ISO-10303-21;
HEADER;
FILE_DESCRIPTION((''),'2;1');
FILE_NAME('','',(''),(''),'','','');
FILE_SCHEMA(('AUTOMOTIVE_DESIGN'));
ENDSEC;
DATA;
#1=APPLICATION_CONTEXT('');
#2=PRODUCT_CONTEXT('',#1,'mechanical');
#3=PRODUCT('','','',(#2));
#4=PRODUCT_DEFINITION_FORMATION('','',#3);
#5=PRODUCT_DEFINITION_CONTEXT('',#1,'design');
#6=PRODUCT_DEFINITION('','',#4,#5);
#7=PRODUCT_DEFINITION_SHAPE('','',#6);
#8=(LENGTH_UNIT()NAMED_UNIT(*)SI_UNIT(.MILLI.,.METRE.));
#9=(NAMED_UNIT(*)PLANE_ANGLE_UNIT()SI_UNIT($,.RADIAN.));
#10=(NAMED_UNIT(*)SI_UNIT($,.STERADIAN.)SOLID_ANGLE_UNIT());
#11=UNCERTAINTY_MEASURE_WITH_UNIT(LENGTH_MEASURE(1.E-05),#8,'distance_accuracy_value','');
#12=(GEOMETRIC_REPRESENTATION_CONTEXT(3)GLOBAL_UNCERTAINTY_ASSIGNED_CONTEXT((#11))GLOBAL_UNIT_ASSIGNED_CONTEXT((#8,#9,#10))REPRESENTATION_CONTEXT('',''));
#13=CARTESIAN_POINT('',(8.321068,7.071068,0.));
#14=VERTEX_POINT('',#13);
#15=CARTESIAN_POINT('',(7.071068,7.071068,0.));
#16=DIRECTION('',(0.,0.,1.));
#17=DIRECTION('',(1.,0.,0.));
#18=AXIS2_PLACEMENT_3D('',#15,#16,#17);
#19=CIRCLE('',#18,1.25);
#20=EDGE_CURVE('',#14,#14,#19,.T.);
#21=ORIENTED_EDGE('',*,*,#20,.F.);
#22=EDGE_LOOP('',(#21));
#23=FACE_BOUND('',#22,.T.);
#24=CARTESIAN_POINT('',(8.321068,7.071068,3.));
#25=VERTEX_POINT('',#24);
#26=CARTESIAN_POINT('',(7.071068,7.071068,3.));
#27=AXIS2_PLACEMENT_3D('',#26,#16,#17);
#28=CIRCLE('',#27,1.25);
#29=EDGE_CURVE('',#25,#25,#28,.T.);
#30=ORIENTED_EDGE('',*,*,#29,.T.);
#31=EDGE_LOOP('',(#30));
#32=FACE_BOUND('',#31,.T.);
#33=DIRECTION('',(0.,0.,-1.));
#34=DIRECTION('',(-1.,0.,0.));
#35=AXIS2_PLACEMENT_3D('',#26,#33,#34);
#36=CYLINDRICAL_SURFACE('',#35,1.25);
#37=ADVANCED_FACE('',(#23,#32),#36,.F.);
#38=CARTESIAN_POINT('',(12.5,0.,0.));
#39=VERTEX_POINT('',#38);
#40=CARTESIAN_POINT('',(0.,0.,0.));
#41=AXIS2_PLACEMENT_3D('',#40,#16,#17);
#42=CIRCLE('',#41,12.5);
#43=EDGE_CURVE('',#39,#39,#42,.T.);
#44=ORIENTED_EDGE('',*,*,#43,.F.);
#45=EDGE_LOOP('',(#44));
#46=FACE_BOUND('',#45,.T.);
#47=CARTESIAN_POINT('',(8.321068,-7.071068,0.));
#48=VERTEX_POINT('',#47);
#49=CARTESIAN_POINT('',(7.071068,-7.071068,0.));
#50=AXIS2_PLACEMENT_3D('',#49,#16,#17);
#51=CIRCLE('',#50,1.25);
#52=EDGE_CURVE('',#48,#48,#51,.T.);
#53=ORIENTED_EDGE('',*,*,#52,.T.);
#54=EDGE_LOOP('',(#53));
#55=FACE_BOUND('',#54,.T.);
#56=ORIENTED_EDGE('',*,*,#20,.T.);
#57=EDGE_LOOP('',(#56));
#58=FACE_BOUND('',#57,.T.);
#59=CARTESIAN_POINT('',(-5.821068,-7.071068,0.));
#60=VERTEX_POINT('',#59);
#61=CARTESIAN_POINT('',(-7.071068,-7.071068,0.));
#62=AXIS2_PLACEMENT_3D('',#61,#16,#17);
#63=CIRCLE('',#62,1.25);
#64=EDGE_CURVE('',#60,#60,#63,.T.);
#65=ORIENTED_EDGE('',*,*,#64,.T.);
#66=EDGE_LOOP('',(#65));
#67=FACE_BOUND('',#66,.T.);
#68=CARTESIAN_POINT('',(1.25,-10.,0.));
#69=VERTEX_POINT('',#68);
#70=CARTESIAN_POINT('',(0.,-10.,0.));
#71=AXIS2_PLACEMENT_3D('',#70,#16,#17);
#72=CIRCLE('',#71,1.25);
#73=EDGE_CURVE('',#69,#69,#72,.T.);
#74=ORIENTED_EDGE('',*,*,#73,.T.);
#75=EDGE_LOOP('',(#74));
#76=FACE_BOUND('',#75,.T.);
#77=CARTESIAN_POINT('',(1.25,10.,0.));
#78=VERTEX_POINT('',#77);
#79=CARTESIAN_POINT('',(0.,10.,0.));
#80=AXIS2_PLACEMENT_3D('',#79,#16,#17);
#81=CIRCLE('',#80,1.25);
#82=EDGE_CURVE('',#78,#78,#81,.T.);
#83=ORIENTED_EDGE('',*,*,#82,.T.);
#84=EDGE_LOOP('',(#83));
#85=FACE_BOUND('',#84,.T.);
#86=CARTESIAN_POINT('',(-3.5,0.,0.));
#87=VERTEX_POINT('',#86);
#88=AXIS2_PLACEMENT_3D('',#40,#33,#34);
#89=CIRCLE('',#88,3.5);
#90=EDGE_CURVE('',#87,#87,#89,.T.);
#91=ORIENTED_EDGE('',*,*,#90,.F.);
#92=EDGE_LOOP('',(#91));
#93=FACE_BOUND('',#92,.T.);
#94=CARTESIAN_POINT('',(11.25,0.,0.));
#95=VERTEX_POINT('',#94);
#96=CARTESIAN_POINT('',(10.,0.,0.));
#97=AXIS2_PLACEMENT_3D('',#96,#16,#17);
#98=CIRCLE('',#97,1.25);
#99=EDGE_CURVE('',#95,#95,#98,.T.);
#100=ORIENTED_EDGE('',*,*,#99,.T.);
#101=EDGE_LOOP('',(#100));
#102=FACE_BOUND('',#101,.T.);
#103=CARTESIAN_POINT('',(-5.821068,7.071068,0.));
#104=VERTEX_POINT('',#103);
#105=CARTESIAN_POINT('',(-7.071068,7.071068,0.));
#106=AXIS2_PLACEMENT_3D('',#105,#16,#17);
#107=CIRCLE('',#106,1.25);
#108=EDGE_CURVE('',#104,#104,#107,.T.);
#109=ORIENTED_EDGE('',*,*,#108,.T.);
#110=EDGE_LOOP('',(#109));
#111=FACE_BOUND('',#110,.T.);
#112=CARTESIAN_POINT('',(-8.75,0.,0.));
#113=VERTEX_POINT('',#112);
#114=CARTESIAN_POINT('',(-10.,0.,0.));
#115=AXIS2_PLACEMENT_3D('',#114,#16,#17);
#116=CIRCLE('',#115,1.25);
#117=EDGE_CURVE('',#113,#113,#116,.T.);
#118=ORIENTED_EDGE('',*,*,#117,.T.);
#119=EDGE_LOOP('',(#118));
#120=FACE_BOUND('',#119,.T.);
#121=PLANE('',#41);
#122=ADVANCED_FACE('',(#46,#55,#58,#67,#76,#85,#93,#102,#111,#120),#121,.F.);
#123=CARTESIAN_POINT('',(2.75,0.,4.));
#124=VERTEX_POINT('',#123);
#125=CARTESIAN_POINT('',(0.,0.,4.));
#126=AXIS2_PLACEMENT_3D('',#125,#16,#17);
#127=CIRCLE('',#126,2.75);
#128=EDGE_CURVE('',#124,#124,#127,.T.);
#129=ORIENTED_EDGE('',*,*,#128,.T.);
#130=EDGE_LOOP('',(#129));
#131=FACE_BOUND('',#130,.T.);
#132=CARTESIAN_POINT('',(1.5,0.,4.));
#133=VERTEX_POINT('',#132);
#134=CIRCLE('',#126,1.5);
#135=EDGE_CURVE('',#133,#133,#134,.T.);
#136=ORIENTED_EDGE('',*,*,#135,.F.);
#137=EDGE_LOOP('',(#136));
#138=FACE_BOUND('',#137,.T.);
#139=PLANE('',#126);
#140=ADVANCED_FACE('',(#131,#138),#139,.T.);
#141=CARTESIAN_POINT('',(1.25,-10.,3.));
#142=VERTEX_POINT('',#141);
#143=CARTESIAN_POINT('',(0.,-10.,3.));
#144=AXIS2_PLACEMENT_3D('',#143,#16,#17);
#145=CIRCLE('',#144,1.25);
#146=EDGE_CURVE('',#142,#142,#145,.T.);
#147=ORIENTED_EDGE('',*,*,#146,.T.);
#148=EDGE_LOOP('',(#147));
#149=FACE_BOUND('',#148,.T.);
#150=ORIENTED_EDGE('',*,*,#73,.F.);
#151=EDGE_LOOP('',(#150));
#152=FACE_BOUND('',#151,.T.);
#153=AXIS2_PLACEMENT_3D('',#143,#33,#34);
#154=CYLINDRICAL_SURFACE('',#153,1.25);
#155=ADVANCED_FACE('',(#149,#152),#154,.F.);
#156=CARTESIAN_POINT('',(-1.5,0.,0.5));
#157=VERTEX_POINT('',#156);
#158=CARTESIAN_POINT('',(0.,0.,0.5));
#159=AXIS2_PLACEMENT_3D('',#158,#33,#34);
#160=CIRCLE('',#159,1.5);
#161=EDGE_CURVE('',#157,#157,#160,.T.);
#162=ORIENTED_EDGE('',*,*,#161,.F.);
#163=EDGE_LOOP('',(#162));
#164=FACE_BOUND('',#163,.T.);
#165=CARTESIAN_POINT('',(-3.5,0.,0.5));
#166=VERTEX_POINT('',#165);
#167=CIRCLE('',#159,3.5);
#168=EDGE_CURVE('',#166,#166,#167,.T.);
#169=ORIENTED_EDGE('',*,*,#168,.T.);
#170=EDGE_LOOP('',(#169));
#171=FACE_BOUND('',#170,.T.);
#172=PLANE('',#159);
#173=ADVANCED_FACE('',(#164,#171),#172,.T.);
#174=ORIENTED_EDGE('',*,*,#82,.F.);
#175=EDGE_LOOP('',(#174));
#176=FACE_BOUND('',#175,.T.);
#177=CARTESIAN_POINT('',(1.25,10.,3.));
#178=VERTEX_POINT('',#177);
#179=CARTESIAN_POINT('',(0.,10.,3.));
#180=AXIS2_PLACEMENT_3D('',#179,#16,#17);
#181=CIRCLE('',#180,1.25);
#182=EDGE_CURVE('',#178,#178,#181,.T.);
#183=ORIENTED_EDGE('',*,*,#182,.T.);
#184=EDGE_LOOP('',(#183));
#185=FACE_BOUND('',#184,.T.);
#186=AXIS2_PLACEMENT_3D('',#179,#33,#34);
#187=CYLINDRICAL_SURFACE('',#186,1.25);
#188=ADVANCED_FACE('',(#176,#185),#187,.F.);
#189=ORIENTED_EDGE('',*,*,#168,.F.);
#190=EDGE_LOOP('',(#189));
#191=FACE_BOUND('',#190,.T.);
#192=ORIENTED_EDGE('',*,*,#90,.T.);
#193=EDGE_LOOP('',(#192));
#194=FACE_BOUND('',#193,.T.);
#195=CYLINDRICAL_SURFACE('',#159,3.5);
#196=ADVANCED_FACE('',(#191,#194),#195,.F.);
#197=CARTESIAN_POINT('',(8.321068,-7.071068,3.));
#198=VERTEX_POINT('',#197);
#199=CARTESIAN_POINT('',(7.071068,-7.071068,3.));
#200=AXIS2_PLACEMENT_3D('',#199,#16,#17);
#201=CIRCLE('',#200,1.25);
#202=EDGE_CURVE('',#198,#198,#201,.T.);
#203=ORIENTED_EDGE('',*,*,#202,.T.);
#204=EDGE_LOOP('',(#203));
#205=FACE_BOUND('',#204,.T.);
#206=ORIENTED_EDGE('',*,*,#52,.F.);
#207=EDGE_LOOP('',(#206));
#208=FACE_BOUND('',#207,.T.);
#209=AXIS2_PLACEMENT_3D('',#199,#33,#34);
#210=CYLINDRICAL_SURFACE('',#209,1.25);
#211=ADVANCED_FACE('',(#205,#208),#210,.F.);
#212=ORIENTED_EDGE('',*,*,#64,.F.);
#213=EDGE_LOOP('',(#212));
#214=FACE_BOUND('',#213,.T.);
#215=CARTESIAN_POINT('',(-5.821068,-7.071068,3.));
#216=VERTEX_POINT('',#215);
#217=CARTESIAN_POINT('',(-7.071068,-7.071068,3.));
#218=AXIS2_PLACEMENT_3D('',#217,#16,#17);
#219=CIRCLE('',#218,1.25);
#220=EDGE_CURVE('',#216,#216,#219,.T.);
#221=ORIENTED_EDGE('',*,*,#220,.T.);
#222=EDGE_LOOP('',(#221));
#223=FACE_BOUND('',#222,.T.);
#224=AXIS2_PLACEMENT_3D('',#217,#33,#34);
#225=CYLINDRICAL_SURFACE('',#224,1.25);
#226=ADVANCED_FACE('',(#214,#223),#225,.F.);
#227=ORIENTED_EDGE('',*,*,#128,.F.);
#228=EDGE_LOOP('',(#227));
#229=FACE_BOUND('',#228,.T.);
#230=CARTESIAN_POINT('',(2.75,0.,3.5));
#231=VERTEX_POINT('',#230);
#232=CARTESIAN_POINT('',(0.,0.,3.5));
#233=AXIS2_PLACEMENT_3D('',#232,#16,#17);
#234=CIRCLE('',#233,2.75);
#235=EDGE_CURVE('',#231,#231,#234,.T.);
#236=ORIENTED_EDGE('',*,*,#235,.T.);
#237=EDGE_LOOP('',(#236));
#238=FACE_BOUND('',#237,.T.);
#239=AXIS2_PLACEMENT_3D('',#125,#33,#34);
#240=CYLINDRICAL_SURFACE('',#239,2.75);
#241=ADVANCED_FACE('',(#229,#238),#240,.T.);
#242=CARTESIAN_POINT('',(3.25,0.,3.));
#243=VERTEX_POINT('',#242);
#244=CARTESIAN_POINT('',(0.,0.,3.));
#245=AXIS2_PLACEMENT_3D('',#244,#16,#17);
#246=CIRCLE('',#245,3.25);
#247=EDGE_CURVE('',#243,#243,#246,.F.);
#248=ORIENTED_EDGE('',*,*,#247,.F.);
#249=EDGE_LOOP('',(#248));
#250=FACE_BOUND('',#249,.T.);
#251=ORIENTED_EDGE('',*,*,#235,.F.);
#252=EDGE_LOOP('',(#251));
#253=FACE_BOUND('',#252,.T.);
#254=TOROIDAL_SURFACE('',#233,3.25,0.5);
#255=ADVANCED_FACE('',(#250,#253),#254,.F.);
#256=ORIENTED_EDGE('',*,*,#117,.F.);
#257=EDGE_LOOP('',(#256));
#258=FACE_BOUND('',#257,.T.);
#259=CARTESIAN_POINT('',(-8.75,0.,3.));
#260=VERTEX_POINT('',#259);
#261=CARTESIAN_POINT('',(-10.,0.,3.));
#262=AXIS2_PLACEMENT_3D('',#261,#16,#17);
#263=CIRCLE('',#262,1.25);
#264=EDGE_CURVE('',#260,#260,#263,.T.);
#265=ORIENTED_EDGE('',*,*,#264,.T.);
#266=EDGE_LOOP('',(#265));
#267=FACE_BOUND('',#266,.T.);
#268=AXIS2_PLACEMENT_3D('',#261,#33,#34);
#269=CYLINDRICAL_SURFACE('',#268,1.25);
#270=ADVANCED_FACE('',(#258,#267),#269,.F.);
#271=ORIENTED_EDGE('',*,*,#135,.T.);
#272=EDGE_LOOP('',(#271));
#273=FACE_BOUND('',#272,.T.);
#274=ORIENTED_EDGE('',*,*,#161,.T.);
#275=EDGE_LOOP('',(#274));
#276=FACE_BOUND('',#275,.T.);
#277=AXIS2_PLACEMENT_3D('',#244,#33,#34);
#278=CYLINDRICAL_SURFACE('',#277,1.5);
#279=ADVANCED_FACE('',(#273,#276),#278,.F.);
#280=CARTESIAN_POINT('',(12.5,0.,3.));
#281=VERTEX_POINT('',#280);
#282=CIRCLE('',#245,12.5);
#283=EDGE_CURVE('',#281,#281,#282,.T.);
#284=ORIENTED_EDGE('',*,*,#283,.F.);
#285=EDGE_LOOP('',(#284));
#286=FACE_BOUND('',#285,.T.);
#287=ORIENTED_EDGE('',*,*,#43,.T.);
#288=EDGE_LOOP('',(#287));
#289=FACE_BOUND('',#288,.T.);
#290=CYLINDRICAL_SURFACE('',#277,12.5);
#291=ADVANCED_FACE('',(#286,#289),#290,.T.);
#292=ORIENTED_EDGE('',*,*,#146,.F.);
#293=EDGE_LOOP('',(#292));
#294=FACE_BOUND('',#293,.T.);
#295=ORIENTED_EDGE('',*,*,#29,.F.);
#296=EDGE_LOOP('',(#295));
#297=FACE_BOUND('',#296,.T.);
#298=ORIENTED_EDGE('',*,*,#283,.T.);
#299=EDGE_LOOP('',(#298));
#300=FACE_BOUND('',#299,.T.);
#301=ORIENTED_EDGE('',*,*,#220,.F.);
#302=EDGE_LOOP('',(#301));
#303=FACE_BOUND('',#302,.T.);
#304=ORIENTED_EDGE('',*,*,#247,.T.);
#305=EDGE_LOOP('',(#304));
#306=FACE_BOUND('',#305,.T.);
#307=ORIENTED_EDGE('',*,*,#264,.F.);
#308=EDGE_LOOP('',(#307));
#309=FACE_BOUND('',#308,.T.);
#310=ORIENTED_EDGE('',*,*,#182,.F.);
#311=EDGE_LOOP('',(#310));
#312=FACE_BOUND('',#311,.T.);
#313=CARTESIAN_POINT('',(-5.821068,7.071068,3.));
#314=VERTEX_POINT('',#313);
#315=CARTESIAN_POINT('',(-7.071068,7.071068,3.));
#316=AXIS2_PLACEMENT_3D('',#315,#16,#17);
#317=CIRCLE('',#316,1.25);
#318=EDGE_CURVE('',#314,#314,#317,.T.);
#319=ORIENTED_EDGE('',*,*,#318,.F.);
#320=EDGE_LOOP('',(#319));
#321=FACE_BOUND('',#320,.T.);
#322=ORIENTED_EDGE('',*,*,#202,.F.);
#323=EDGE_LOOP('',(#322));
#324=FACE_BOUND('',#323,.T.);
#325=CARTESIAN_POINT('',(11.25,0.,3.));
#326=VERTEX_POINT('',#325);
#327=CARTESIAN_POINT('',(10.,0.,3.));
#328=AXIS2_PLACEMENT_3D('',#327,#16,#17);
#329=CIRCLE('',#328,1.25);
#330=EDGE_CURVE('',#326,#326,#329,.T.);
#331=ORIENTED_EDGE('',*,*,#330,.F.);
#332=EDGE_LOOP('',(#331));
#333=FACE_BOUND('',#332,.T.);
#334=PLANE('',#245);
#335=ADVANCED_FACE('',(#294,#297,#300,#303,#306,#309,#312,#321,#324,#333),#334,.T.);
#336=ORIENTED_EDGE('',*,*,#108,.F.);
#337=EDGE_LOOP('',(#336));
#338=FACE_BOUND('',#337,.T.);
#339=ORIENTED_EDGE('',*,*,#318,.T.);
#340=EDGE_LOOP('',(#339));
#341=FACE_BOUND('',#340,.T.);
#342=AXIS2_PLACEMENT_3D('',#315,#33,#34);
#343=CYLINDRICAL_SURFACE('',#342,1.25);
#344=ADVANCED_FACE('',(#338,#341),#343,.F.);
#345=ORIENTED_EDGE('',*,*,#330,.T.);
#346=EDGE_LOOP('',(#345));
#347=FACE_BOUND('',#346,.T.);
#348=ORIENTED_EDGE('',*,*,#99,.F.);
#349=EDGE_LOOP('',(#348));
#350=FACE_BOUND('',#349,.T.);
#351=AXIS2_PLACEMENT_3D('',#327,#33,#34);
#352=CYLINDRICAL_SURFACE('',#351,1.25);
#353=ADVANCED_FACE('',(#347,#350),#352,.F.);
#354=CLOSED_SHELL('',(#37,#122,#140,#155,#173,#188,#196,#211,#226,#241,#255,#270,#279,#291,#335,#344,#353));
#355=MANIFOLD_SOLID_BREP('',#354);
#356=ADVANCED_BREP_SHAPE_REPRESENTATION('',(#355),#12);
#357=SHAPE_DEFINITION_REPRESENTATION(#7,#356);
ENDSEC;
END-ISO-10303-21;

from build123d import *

# Parameters (mm, degrees)
SKETCH1_R           = 12.5
SKETCH1_R_2         = 1.25
SKETCH1_R_3         = 1.5
BOSS_EXTRUDE1_DEPTH = 3
SKETCH2_R           = 2.75
SKETCH2_R_2         = 1.5
BOSS_EXTRUDE2_DEPTH = 1
FILLET1_R           = 0.5
SKETCH3_R           = 3.5
SKETCH3_R_2         = 1.5
CUT_EXTRUDE1_DEPTH  = 0.5


with BuildPart() as part:
    # Sketch1 → Boss-Extrude1 (new body)
    with BuildSketch(Plane.XY):
        Circle(SKETCH1_R)
        with Locations((0, 10)):
            Circle(SKETCH1_R_2, mode=Mode.SUBTRACT)
        Circle(SKETCH1_R_3, mode=Mode.SUBTRACT)
        with Locations((7.071067812, 7.071067812)):
            Circle(SKETCH1_R_2, mode=Mode.SUBTRACT)
        with Locations((10, 0)):
            Circle(SKETCH1_R_2, mode=Mode.SUBTRACT)
        with Locations((7.071067812, -7.071067812)):
            Circle(SKETCH1_R_2, mode=Mode.SUBTRACT)
        with Locations((0, -10)):
            Circle(SKETCH1_R_2, mode=Mode.SUBTRACT)
        with Locations((-7.071067812, -7.071067812)):
            Circle(SKETCH1_R_2, mode=Mode.SUBTRACT)
        with Locations((-10, 0)):
            Circle(SKETCH1_R_2, mode=Mode.SUBTRACT)
        with Locations((-7.071067812, 7.071067812)):
            Circle(SKETCH1_R_2, mode=Mode.SUBTRACT)
    extrude(amount=BOSS_EXTRUDE1_DEPTH)

    # Sketch2 → Boss-Extrude2 (add)
    with BuildSketch(Plane.XY.offset(3)):
        Circle(SKETCH2_R)
        Circle(SKETCH2_R_2, mode=Mode.SUBTRACT)
    extrude(amount=BOSS_EXTRUDE2_DEPTH)

    # Fillet1
    fillet1_edges = [part.edges().sort_by_distance(p)[0] for p in [
        (-2.75, 0, 3),
    ]]
    fillet(fillet1_edges, radius=FILLET1_R)

    # Sketch3 → Cut-Extrude1 (cut)
    with BuildSketch(Plane(origin=(0, 0, 0), x_dir=(-1, 0, 0), z_dir=(0, 0, -1))):
        Circle(SKETCH3_R)
        Circle(SKETCH3_R_2, mode=Mode.SUBTRACT)
    extrude(amount=-CUT_EXTRUDE1_DEPTH, mode=Mode.SUBTRACT)


solid = part.part
